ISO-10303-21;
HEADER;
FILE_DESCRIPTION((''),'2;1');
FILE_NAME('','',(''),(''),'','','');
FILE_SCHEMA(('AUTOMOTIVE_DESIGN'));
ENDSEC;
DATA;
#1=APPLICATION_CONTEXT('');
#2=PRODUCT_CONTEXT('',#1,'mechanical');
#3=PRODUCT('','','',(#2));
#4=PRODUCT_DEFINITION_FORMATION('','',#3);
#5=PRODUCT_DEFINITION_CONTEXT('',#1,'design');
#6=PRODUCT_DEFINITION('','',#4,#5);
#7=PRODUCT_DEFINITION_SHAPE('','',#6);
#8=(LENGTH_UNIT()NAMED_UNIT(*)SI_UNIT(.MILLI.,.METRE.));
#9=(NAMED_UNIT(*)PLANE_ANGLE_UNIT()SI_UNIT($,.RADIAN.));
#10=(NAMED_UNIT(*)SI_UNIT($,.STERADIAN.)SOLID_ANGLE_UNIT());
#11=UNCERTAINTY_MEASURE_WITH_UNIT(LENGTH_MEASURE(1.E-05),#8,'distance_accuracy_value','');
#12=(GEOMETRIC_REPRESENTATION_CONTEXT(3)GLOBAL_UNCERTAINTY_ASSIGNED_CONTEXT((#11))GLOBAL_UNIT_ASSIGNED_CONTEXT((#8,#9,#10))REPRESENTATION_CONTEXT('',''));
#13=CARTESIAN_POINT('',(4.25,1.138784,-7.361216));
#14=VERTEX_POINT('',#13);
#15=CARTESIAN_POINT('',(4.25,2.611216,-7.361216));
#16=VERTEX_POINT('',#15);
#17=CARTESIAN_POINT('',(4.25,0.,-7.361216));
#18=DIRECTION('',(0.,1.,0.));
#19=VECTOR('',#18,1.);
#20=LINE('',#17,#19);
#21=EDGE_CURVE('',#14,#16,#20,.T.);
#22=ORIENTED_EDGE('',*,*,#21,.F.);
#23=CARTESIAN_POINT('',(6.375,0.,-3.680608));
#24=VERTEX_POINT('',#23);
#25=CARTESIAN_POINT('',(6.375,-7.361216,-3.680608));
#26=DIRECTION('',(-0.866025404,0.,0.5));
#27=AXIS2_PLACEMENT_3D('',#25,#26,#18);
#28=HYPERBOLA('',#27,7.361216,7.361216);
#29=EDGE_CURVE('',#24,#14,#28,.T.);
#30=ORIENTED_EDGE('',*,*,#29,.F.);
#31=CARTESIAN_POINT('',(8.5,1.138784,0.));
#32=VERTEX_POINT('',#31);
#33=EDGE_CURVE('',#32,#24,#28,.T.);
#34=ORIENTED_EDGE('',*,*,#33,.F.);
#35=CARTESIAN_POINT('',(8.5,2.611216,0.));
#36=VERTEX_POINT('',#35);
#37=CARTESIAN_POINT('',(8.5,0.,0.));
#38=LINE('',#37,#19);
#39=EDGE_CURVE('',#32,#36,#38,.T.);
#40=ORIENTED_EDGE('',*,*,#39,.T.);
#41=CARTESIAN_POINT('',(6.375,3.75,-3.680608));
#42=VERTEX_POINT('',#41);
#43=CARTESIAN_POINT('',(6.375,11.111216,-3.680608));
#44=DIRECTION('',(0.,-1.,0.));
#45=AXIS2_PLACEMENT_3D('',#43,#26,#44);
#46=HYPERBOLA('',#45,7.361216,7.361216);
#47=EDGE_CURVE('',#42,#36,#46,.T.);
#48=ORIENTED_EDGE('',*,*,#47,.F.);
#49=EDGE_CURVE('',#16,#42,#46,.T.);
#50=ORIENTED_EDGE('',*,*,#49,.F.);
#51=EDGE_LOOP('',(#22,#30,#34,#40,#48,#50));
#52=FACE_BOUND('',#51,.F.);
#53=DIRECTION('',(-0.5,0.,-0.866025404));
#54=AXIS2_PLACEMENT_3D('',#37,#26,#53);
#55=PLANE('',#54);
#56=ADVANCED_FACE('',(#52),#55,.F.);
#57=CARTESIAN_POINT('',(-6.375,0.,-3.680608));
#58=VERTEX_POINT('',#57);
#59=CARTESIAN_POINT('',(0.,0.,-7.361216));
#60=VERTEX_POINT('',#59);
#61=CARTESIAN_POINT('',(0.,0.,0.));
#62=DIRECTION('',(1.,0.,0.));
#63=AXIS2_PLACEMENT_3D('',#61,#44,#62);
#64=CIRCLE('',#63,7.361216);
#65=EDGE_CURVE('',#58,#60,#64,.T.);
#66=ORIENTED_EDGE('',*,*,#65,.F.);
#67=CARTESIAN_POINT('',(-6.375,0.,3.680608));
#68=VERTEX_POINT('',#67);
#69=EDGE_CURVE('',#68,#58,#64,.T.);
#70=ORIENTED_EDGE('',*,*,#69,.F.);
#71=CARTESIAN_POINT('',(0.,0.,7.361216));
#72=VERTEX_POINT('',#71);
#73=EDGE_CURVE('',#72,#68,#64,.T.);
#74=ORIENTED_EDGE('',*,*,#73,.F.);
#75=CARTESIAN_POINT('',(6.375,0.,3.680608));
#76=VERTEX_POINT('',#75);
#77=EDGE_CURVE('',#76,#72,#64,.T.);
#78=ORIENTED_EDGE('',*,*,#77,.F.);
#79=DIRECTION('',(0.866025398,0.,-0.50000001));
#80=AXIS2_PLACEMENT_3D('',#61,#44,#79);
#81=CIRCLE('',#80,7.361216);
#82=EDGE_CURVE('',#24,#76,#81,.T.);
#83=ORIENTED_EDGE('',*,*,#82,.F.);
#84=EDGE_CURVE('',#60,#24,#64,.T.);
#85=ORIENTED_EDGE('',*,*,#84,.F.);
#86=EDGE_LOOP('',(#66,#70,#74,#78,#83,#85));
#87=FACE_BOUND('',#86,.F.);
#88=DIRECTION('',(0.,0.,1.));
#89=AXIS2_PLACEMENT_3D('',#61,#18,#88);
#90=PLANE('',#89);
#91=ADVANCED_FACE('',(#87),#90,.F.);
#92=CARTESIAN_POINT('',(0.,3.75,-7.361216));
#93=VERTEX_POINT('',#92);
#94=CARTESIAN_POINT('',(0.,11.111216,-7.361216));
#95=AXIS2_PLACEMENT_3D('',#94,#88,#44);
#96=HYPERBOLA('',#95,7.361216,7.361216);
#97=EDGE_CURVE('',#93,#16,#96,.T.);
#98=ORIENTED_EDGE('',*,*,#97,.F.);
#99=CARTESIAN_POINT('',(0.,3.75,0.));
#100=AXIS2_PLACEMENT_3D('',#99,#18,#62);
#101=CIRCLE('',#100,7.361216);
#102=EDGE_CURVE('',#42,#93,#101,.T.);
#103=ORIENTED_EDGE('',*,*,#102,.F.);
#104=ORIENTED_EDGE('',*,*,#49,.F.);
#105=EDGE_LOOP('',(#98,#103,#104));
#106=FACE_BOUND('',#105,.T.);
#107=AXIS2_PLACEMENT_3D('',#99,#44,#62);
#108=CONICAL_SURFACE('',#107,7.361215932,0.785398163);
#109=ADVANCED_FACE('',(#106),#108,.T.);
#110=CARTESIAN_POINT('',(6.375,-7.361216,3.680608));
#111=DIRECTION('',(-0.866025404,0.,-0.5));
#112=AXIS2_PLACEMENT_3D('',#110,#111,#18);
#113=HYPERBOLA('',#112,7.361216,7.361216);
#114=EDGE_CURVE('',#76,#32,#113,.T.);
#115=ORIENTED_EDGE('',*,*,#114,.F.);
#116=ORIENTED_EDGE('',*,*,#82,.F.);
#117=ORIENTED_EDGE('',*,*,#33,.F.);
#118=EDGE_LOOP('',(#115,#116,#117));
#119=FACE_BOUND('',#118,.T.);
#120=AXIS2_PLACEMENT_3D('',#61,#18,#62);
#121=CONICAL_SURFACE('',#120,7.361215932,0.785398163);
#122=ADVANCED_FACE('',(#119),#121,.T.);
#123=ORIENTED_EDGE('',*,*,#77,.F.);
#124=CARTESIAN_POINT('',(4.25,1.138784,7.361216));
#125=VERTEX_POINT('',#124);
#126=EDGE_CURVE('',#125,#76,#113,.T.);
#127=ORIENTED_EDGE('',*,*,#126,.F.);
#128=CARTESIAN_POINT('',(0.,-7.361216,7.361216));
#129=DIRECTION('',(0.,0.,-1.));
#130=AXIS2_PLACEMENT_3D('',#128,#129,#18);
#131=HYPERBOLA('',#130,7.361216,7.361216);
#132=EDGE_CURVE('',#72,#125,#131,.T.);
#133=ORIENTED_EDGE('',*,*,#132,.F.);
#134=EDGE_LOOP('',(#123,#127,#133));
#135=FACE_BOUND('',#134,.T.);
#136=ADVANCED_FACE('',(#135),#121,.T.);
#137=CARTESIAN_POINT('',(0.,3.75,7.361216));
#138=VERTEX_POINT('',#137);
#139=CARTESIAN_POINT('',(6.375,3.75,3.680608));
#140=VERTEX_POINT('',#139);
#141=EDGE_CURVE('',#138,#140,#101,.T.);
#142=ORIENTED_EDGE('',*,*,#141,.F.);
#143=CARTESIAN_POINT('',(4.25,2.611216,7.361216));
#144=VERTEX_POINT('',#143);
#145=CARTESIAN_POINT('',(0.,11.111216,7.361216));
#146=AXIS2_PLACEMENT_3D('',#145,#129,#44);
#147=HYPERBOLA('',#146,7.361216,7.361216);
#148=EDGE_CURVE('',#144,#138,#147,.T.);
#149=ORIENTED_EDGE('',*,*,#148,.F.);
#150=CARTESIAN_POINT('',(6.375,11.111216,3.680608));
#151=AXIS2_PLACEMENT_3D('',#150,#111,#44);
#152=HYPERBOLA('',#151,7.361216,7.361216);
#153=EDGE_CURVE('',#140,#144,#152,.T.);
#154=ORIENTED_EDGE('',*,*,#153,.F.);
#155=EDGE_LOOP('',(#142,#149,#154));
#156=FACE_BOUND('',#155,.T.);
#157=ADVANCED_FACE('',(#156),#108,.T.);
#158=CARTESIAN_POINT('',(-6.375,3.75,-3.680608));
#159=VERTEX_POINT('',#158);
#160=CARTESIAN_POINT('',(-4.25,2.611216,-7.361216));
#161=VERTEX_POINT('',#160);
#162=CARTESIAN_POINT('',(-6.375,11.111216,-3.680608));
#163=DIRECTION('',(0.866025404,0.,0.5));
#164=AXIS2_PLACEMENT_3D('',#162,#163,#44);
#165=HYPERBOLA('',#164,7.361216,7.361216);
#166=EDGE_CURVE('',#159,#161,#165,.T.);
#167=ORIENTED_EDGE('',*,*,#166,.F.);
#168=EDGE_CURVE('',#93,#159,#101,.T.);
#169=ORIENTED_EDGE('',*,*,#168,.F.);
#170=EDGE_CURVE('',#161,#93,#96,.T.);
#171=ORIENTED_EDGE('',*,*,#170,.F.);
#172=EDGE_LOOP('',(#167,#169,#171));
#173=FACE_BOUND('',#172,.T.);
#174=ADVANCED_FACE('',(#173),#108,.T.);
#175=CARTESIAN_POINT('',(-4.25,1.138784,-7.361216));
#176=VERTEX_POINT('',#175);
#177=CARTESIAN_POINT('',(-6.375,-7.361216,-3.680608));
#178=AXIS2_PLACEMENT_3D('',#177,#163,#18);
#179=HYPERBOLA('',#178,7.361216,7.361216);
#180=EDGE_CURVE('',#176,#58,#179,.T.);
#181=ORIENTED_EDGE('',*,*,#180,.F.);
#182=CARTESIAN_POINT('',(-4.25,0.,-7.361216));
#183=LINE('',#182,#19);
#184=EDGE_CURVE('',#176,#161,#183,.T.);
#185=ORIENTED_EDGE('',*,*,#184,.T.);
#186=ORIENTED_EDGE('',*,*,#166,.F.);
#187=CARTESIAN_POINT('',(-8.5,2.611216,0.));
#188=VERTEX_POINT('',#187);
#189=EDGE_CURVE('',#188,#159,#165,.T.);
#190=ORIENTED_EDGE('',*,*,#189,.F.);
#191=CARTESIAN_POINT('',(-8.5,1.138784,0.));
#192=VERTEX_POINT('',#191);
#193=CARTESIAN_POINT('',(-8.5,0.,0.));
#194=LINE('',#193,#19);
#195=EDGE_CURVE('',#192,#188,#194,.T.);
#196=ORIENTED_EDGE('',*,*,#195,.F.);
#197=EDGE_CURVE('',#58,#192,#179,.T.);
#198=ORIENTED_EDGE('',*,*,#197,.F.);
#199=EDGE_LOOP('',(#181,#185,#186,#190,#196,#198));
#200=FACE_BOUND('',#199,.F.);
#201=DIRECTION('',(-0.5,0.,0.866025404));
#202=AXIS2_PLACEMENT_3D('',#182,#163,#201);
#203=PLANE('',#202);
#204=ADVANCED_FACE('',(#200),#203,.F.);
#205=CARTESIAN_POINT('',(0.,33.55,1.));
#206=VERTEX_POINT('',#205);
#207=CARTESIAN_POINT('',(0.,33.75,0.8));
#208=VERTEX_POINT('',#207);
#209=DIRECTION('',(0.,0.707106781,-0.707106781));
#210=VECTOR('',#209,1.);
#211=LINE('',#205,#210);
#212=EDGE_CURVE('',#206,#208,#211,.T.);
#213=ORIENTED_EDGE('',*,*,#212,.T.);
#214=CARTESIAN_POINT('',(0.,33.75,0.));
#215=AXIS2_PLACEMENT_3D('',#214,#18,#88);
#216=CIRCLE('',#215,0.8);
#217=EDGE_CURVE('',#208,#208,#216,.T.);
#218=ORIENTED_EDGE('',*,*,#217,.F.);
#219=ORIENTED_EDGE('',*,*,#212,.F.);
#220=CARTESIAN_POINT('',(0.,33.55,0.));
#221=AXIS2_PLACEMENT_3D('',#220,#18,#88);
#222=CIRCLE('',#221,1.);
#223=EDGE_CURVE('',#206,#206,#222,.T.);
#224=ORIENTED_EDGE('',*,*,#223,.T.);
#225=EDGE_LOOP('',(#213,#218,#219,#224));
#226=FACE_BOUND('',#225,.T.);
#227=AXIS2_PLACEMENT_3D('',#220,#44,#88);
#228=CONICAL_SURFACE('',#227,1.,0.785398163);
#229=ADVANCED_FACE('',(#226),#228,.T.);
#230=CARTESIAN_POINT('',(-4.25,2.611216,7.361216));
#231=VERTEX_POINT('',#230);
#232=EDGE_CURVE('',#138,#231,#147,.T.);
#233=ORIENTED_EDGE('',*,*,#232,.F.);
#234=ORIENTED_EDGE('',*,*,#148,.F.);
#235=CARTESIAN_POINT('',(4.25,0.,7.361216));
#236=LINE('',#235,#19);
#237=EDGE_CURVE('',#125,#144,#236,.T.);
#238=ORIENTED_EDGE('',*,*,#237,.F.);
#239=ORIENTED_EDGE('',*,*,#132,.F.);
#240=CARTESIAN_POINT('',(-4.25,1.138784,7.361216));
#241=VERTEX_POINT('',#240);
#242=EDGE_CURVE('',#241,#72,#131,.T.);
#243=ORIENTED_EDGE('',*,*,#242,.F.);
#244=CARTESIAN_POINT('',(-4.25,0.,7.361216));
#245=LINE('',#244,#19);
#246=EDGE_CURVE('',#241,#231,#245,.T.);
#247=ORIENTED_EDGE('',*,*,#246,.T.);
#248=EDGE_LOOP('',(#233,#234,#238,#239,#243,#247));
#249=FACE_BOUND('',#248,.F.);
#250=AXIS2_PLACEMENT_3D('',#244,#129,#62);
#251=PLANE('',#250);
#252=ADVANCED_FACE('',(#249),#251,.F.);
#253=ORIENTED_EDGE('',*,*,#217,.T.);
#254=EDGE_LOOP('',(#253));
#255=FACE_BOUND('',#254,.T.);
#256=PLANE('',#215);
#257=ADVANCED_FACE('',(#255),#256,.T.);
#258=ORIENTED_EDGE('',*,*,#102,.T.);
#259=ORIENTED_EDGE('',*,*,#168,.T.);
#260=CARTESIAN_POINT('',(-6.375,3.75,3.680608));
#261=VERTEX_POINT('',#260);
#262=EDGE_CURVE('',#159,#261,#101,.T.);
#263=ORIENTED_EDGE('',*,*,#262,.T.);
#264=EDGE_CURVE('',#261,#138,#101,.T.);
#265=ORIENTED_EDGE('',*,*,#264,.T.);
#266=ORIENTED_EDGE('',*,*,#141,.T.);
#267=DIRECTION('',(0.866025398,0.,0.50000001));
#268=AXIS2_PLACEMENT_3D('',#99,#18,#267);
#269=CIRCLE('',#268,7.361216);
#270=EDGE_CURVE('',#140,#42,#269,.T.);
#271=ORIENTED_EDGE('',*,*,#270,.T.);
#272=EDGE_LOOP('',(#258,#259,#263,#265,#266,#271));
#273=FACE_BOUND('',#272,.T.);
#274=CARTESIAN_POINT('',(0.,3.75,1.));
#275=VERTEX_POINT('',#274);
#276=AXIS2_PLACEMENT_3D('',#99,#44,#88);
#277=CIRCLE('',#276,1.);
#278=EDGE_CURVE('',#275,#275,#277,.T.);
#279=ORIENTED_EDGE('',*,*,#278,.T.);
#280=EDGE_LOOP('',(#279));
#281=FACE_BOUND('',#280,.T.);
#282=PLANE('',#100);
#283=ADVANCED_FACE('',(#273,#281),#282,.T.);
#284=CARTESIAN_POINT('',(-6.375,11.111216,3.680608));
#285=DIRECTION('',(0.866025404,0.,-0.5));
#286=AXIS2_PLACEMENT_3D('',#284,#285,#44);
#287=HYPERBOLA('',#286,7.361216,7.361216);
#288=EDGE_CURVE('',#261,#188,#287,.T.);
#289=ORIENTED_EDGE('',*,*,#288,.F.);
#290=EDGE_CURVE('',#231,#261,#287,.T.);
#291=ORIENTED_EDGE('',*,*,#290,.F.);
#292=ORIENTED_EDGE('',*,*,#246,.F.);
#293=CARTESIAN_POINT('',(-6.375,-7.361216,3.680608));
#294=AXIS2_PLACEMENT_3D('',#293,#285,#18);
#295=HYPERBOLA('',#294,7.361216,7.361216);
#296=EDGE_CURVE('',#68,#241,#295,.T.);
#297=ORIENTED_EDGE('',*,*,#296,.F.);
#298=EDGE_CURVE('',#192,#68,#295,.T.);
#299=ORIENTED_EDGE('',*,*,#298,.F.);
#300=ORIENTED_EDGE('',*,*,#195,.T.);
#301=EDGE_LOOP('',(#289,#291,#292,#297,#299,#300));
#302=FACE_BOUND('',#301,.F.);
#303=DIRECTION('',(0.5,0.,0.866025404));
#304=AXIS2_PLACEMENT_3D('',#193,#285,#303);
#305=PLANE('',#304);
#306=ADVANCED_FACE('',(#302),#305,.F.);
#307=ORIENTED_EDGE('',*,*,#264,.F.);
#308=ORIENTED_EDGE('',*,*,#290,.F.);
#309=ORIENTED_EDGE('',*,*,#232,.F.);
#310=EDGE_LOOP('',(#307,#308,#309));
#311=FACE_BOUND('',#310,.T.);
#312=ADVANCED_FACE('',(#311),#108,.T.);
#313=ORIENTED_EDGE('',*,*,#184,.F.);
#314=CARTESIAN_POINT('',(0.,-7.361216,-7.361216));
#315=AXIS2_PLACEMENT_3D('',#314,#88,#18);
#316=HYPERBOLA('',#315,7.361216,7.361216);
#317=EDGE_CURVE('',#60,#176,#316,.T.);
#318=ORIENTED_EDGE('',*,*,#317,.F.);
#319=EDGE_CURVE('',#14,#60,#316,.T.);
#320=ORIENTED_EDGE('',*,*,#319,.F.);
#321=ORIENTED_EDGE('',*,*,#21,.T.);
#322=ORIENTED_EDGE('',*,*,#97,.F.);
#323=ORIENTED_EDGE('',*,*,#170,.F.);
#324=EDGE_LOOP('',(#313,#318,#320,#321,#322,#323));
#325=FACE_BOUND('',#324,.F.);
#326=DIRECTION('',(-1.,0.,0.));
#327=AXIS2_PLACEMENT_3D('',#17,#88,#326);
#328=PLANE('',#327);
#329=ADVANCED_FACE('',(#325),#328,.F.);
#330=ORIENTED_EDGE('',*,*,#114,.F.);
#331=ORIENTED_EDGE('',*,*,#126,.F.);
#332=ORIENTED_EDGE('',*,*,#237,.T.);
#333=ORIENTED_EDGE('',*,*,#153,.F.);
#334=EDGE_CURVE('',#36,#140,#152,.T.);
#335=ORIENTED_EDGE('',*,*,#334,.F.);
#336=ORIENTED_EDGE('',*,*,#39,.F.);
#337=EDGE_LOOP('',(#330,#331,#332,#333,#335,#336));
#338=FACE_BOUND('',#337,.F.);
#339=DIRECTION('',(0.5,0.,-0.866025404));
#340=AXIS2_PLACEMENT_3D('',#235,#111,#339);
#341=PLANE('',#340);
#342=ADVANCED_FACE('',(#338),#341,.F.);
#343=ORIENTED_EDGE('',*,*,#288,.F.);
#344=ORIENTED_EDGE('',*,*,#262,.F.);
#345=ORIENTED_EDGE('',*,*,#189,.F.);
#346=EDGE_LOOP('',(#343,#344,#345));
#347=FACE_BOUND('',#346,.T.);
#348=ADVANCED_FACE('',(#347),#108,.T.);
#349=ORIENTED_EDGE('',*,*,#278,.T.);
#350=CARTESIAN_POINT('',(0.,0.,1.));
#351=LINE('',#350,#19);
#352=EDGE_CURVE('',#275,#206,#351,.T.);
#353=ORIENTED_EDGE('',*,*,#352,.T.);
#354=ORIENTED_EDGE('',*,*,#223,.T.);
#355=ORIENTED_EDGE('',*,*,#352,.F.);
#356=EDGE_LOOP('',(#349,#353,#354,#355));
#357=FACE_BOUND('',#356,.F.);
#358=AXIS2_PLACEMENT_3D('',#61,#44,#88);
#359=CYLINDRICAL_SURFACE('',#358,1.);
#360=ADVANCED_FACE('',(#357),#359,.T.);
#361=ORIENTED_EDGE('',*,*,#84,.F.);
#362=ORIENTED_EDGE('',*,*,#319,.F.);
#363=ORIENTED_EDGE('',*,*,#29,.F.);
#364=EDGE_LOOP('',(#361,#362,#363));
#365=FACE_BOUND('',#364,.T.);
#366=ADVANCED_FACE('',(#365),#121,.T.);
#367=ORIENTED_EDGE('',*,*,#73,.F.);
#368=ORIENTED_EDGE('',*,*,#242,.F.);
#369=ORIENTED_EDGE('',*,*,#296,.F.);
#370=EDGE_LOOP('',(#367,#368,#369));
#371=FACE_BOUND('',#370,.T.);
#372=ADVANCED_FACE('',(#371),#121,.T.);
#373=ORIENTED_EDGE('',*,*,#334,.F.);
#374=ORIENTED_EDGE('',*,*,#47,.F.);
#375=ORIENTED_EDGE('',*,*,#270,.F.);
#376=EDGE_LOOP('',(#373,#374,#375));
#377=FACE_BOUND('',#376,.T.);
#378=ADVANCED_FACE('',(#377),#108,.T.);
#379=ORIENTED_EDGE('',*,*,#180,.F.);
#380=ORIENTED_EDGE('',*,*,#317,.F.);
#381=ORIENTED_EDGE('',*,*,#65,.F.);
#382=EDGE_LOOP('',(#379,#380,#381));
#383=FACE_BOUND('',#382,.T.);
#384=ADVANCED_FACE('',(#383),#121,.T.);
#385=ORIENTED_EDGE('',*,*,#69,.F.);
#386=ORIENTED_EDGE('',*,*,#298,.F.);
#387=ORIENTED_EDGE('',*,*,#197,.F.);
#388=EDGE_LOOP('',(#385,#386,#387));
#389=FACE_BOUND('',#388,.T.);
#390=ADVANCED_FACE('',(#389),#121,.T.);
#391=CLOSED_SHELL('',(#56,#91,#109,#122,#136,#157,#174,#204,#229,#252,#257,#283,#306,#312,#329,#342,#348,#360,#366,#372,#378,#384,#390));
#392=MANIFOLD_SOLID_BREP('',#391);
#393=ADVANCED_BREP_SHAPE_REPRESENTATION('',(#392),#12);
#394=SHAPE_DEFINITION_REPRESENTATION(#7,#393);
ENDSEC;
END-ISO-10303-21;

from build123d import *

# Parameters (mm, degrees)
BOSS_EXTRUDE1_DEPTH = 3.75
SKETCH1_3_R         = 1
BOSS_EXTRUDE2_DEPTH = 33.75
SKETCH2_OUTSIDE_W   = 100.258
SKETCH2_OUTSIDE_H   = 97.98
SKETCH2_OUTSIDE_R   = 7.361215932
CUT_EXTRUDE5_DEPTH  = 36.573866813
CUT_EXTRUDE5_DRAFT  = -45
CHAMFER1_SIZE       = 0.2
SKETCH3_OUTSIDE_W   = 93.188
SKETCH3_OUTSIDE_H   = 90.91
SKETCH3_OUTSIDE_R   = 7.361215932
CUT_EXTRUDE6_DEPTH  = 33.0380633
CUT_EXTRUDE6_DRAFT  = -45


with BuildPart() as part:
    # Sketch1 → Boss-Extrude1 (new body)
    with BuildSketch(Plane(origin=(0, 0, 0), x_dir=(1, 0, 0), z_dir=(0, 1, 0))):
        Polygon((-4.25, -7.361215932), (4.25, -7.361215932), (8.5, 0), (4.25, 7.361215932), (-4.25, 7.361215932), (-8.5, 0), align=None)
    extrude(amount=BOSS_EXTRUDE1_DEPTH)

    # Sketch1<3> → Boss-Extrude2 (add)
    with BuildSketch(Plane(origin=(0, 0, 0), x_dir=(1, 0, 0), z_dir=(0, 1, 0))):
        Circle(SKETCH1_3_R)
    extrude(amount=BOSS_EXTRUDE2_DEPTH)


with BuildPart() as cut_extrude5_tool:
    # Sketch2 outside → Cut-Extrude5 (with draft: the straight prism first)
    with BuildSketch(Plane.XZ):
        Rectangle(SKETCH2_OUTSIDE_W, SKETCH2_OUTSIDE_H)
        Circle(SKETCH2_OUTSIDE_R, mode=Mode.SUBTRACT)
    extrude(amount=-CUT_EXTRUDE5_DEPTH)
    # Cut-Extrude5: the draft: its side faces are tilted about the plane it starts from
    cut_extrude5_sides = [cut_extrude5_tool.faces().sort_by_distance(p)[0] for p in [
        (0, 18.286933406, -48.99),
        (50.129, 18.286933406, 0),
        (0, 18.286933406, 48.99),
        (-50.129, 18.286933406, 0),
        (-7.361215932, 18.286933406, 0),
    ]]
    draft(cut_extrude5_sides, Plane.XZ, CUT_EXTRUDE5_DRAFT)


with BuildPart() as part_1:
    add(part.part)

    # Cut-Extrude5: cut by cut_extrude5_tool
    add(cut_extrude5_tool.part, mode=Mode.SUBTRACT)

    # Chamfer1
    chamfer1_edges = [part_1.edges().sort_by_distance(p)[0] for p in [
        (-1, 33.75, 0),
    ]]
    chamfer(chamfer1_edges, length=CHAMFER1_SIZE)


with BuildPart() as cut_extrude6_tool:
    # Sketch3 outside → Cut-Extrude6 (with draft: the straight prism first)
    with BuildSketch(Plane(origin=(0, 3.75, 0), x_dir=(1, 0, 0), z_dir=(0, 1, 0))):
        Rectangle(SKETCH3_OUTSIDE_W, SKETCH3_OUTSIDE_H)
        Circle(SKETCH3_OUTSIDE_R, mode=Mode.SUBTRACT)
    extrude(amount=-CUT_EXTRUDE6_DEPTH)
    # Cut-Extrude6: the draft: its side faces are tilted about the plane it starts from
    cut_extrude6_sides = [cut_extrude6_tool.faces().sort_by_distance(p)[0] for p in [
        (0, -12.76903165, 45.455),
        (46.594, -12.76903165, 0),
        (0, -12.76903165, -45.455),
        (-46.594, -12.76903165, 0),
        (-7.361215932, -12.76903165, 0),
    ]]
    draft(cut_extrude6_sides, Plane(origin=(0, 3.75, 0), x_dir=(1, 0, 0), z_dir=(0, 1, 0)), CUT_EXTRUDE6_DRAFT)


with BuildPart() as part_2:
    add(part_1.part)

    # Cut-Extrude6: cut by cut_extrude6_tool
    add(cut_extrude6_tool.part, mode=Mode.SUBTRACT)


solid = part_2.part
